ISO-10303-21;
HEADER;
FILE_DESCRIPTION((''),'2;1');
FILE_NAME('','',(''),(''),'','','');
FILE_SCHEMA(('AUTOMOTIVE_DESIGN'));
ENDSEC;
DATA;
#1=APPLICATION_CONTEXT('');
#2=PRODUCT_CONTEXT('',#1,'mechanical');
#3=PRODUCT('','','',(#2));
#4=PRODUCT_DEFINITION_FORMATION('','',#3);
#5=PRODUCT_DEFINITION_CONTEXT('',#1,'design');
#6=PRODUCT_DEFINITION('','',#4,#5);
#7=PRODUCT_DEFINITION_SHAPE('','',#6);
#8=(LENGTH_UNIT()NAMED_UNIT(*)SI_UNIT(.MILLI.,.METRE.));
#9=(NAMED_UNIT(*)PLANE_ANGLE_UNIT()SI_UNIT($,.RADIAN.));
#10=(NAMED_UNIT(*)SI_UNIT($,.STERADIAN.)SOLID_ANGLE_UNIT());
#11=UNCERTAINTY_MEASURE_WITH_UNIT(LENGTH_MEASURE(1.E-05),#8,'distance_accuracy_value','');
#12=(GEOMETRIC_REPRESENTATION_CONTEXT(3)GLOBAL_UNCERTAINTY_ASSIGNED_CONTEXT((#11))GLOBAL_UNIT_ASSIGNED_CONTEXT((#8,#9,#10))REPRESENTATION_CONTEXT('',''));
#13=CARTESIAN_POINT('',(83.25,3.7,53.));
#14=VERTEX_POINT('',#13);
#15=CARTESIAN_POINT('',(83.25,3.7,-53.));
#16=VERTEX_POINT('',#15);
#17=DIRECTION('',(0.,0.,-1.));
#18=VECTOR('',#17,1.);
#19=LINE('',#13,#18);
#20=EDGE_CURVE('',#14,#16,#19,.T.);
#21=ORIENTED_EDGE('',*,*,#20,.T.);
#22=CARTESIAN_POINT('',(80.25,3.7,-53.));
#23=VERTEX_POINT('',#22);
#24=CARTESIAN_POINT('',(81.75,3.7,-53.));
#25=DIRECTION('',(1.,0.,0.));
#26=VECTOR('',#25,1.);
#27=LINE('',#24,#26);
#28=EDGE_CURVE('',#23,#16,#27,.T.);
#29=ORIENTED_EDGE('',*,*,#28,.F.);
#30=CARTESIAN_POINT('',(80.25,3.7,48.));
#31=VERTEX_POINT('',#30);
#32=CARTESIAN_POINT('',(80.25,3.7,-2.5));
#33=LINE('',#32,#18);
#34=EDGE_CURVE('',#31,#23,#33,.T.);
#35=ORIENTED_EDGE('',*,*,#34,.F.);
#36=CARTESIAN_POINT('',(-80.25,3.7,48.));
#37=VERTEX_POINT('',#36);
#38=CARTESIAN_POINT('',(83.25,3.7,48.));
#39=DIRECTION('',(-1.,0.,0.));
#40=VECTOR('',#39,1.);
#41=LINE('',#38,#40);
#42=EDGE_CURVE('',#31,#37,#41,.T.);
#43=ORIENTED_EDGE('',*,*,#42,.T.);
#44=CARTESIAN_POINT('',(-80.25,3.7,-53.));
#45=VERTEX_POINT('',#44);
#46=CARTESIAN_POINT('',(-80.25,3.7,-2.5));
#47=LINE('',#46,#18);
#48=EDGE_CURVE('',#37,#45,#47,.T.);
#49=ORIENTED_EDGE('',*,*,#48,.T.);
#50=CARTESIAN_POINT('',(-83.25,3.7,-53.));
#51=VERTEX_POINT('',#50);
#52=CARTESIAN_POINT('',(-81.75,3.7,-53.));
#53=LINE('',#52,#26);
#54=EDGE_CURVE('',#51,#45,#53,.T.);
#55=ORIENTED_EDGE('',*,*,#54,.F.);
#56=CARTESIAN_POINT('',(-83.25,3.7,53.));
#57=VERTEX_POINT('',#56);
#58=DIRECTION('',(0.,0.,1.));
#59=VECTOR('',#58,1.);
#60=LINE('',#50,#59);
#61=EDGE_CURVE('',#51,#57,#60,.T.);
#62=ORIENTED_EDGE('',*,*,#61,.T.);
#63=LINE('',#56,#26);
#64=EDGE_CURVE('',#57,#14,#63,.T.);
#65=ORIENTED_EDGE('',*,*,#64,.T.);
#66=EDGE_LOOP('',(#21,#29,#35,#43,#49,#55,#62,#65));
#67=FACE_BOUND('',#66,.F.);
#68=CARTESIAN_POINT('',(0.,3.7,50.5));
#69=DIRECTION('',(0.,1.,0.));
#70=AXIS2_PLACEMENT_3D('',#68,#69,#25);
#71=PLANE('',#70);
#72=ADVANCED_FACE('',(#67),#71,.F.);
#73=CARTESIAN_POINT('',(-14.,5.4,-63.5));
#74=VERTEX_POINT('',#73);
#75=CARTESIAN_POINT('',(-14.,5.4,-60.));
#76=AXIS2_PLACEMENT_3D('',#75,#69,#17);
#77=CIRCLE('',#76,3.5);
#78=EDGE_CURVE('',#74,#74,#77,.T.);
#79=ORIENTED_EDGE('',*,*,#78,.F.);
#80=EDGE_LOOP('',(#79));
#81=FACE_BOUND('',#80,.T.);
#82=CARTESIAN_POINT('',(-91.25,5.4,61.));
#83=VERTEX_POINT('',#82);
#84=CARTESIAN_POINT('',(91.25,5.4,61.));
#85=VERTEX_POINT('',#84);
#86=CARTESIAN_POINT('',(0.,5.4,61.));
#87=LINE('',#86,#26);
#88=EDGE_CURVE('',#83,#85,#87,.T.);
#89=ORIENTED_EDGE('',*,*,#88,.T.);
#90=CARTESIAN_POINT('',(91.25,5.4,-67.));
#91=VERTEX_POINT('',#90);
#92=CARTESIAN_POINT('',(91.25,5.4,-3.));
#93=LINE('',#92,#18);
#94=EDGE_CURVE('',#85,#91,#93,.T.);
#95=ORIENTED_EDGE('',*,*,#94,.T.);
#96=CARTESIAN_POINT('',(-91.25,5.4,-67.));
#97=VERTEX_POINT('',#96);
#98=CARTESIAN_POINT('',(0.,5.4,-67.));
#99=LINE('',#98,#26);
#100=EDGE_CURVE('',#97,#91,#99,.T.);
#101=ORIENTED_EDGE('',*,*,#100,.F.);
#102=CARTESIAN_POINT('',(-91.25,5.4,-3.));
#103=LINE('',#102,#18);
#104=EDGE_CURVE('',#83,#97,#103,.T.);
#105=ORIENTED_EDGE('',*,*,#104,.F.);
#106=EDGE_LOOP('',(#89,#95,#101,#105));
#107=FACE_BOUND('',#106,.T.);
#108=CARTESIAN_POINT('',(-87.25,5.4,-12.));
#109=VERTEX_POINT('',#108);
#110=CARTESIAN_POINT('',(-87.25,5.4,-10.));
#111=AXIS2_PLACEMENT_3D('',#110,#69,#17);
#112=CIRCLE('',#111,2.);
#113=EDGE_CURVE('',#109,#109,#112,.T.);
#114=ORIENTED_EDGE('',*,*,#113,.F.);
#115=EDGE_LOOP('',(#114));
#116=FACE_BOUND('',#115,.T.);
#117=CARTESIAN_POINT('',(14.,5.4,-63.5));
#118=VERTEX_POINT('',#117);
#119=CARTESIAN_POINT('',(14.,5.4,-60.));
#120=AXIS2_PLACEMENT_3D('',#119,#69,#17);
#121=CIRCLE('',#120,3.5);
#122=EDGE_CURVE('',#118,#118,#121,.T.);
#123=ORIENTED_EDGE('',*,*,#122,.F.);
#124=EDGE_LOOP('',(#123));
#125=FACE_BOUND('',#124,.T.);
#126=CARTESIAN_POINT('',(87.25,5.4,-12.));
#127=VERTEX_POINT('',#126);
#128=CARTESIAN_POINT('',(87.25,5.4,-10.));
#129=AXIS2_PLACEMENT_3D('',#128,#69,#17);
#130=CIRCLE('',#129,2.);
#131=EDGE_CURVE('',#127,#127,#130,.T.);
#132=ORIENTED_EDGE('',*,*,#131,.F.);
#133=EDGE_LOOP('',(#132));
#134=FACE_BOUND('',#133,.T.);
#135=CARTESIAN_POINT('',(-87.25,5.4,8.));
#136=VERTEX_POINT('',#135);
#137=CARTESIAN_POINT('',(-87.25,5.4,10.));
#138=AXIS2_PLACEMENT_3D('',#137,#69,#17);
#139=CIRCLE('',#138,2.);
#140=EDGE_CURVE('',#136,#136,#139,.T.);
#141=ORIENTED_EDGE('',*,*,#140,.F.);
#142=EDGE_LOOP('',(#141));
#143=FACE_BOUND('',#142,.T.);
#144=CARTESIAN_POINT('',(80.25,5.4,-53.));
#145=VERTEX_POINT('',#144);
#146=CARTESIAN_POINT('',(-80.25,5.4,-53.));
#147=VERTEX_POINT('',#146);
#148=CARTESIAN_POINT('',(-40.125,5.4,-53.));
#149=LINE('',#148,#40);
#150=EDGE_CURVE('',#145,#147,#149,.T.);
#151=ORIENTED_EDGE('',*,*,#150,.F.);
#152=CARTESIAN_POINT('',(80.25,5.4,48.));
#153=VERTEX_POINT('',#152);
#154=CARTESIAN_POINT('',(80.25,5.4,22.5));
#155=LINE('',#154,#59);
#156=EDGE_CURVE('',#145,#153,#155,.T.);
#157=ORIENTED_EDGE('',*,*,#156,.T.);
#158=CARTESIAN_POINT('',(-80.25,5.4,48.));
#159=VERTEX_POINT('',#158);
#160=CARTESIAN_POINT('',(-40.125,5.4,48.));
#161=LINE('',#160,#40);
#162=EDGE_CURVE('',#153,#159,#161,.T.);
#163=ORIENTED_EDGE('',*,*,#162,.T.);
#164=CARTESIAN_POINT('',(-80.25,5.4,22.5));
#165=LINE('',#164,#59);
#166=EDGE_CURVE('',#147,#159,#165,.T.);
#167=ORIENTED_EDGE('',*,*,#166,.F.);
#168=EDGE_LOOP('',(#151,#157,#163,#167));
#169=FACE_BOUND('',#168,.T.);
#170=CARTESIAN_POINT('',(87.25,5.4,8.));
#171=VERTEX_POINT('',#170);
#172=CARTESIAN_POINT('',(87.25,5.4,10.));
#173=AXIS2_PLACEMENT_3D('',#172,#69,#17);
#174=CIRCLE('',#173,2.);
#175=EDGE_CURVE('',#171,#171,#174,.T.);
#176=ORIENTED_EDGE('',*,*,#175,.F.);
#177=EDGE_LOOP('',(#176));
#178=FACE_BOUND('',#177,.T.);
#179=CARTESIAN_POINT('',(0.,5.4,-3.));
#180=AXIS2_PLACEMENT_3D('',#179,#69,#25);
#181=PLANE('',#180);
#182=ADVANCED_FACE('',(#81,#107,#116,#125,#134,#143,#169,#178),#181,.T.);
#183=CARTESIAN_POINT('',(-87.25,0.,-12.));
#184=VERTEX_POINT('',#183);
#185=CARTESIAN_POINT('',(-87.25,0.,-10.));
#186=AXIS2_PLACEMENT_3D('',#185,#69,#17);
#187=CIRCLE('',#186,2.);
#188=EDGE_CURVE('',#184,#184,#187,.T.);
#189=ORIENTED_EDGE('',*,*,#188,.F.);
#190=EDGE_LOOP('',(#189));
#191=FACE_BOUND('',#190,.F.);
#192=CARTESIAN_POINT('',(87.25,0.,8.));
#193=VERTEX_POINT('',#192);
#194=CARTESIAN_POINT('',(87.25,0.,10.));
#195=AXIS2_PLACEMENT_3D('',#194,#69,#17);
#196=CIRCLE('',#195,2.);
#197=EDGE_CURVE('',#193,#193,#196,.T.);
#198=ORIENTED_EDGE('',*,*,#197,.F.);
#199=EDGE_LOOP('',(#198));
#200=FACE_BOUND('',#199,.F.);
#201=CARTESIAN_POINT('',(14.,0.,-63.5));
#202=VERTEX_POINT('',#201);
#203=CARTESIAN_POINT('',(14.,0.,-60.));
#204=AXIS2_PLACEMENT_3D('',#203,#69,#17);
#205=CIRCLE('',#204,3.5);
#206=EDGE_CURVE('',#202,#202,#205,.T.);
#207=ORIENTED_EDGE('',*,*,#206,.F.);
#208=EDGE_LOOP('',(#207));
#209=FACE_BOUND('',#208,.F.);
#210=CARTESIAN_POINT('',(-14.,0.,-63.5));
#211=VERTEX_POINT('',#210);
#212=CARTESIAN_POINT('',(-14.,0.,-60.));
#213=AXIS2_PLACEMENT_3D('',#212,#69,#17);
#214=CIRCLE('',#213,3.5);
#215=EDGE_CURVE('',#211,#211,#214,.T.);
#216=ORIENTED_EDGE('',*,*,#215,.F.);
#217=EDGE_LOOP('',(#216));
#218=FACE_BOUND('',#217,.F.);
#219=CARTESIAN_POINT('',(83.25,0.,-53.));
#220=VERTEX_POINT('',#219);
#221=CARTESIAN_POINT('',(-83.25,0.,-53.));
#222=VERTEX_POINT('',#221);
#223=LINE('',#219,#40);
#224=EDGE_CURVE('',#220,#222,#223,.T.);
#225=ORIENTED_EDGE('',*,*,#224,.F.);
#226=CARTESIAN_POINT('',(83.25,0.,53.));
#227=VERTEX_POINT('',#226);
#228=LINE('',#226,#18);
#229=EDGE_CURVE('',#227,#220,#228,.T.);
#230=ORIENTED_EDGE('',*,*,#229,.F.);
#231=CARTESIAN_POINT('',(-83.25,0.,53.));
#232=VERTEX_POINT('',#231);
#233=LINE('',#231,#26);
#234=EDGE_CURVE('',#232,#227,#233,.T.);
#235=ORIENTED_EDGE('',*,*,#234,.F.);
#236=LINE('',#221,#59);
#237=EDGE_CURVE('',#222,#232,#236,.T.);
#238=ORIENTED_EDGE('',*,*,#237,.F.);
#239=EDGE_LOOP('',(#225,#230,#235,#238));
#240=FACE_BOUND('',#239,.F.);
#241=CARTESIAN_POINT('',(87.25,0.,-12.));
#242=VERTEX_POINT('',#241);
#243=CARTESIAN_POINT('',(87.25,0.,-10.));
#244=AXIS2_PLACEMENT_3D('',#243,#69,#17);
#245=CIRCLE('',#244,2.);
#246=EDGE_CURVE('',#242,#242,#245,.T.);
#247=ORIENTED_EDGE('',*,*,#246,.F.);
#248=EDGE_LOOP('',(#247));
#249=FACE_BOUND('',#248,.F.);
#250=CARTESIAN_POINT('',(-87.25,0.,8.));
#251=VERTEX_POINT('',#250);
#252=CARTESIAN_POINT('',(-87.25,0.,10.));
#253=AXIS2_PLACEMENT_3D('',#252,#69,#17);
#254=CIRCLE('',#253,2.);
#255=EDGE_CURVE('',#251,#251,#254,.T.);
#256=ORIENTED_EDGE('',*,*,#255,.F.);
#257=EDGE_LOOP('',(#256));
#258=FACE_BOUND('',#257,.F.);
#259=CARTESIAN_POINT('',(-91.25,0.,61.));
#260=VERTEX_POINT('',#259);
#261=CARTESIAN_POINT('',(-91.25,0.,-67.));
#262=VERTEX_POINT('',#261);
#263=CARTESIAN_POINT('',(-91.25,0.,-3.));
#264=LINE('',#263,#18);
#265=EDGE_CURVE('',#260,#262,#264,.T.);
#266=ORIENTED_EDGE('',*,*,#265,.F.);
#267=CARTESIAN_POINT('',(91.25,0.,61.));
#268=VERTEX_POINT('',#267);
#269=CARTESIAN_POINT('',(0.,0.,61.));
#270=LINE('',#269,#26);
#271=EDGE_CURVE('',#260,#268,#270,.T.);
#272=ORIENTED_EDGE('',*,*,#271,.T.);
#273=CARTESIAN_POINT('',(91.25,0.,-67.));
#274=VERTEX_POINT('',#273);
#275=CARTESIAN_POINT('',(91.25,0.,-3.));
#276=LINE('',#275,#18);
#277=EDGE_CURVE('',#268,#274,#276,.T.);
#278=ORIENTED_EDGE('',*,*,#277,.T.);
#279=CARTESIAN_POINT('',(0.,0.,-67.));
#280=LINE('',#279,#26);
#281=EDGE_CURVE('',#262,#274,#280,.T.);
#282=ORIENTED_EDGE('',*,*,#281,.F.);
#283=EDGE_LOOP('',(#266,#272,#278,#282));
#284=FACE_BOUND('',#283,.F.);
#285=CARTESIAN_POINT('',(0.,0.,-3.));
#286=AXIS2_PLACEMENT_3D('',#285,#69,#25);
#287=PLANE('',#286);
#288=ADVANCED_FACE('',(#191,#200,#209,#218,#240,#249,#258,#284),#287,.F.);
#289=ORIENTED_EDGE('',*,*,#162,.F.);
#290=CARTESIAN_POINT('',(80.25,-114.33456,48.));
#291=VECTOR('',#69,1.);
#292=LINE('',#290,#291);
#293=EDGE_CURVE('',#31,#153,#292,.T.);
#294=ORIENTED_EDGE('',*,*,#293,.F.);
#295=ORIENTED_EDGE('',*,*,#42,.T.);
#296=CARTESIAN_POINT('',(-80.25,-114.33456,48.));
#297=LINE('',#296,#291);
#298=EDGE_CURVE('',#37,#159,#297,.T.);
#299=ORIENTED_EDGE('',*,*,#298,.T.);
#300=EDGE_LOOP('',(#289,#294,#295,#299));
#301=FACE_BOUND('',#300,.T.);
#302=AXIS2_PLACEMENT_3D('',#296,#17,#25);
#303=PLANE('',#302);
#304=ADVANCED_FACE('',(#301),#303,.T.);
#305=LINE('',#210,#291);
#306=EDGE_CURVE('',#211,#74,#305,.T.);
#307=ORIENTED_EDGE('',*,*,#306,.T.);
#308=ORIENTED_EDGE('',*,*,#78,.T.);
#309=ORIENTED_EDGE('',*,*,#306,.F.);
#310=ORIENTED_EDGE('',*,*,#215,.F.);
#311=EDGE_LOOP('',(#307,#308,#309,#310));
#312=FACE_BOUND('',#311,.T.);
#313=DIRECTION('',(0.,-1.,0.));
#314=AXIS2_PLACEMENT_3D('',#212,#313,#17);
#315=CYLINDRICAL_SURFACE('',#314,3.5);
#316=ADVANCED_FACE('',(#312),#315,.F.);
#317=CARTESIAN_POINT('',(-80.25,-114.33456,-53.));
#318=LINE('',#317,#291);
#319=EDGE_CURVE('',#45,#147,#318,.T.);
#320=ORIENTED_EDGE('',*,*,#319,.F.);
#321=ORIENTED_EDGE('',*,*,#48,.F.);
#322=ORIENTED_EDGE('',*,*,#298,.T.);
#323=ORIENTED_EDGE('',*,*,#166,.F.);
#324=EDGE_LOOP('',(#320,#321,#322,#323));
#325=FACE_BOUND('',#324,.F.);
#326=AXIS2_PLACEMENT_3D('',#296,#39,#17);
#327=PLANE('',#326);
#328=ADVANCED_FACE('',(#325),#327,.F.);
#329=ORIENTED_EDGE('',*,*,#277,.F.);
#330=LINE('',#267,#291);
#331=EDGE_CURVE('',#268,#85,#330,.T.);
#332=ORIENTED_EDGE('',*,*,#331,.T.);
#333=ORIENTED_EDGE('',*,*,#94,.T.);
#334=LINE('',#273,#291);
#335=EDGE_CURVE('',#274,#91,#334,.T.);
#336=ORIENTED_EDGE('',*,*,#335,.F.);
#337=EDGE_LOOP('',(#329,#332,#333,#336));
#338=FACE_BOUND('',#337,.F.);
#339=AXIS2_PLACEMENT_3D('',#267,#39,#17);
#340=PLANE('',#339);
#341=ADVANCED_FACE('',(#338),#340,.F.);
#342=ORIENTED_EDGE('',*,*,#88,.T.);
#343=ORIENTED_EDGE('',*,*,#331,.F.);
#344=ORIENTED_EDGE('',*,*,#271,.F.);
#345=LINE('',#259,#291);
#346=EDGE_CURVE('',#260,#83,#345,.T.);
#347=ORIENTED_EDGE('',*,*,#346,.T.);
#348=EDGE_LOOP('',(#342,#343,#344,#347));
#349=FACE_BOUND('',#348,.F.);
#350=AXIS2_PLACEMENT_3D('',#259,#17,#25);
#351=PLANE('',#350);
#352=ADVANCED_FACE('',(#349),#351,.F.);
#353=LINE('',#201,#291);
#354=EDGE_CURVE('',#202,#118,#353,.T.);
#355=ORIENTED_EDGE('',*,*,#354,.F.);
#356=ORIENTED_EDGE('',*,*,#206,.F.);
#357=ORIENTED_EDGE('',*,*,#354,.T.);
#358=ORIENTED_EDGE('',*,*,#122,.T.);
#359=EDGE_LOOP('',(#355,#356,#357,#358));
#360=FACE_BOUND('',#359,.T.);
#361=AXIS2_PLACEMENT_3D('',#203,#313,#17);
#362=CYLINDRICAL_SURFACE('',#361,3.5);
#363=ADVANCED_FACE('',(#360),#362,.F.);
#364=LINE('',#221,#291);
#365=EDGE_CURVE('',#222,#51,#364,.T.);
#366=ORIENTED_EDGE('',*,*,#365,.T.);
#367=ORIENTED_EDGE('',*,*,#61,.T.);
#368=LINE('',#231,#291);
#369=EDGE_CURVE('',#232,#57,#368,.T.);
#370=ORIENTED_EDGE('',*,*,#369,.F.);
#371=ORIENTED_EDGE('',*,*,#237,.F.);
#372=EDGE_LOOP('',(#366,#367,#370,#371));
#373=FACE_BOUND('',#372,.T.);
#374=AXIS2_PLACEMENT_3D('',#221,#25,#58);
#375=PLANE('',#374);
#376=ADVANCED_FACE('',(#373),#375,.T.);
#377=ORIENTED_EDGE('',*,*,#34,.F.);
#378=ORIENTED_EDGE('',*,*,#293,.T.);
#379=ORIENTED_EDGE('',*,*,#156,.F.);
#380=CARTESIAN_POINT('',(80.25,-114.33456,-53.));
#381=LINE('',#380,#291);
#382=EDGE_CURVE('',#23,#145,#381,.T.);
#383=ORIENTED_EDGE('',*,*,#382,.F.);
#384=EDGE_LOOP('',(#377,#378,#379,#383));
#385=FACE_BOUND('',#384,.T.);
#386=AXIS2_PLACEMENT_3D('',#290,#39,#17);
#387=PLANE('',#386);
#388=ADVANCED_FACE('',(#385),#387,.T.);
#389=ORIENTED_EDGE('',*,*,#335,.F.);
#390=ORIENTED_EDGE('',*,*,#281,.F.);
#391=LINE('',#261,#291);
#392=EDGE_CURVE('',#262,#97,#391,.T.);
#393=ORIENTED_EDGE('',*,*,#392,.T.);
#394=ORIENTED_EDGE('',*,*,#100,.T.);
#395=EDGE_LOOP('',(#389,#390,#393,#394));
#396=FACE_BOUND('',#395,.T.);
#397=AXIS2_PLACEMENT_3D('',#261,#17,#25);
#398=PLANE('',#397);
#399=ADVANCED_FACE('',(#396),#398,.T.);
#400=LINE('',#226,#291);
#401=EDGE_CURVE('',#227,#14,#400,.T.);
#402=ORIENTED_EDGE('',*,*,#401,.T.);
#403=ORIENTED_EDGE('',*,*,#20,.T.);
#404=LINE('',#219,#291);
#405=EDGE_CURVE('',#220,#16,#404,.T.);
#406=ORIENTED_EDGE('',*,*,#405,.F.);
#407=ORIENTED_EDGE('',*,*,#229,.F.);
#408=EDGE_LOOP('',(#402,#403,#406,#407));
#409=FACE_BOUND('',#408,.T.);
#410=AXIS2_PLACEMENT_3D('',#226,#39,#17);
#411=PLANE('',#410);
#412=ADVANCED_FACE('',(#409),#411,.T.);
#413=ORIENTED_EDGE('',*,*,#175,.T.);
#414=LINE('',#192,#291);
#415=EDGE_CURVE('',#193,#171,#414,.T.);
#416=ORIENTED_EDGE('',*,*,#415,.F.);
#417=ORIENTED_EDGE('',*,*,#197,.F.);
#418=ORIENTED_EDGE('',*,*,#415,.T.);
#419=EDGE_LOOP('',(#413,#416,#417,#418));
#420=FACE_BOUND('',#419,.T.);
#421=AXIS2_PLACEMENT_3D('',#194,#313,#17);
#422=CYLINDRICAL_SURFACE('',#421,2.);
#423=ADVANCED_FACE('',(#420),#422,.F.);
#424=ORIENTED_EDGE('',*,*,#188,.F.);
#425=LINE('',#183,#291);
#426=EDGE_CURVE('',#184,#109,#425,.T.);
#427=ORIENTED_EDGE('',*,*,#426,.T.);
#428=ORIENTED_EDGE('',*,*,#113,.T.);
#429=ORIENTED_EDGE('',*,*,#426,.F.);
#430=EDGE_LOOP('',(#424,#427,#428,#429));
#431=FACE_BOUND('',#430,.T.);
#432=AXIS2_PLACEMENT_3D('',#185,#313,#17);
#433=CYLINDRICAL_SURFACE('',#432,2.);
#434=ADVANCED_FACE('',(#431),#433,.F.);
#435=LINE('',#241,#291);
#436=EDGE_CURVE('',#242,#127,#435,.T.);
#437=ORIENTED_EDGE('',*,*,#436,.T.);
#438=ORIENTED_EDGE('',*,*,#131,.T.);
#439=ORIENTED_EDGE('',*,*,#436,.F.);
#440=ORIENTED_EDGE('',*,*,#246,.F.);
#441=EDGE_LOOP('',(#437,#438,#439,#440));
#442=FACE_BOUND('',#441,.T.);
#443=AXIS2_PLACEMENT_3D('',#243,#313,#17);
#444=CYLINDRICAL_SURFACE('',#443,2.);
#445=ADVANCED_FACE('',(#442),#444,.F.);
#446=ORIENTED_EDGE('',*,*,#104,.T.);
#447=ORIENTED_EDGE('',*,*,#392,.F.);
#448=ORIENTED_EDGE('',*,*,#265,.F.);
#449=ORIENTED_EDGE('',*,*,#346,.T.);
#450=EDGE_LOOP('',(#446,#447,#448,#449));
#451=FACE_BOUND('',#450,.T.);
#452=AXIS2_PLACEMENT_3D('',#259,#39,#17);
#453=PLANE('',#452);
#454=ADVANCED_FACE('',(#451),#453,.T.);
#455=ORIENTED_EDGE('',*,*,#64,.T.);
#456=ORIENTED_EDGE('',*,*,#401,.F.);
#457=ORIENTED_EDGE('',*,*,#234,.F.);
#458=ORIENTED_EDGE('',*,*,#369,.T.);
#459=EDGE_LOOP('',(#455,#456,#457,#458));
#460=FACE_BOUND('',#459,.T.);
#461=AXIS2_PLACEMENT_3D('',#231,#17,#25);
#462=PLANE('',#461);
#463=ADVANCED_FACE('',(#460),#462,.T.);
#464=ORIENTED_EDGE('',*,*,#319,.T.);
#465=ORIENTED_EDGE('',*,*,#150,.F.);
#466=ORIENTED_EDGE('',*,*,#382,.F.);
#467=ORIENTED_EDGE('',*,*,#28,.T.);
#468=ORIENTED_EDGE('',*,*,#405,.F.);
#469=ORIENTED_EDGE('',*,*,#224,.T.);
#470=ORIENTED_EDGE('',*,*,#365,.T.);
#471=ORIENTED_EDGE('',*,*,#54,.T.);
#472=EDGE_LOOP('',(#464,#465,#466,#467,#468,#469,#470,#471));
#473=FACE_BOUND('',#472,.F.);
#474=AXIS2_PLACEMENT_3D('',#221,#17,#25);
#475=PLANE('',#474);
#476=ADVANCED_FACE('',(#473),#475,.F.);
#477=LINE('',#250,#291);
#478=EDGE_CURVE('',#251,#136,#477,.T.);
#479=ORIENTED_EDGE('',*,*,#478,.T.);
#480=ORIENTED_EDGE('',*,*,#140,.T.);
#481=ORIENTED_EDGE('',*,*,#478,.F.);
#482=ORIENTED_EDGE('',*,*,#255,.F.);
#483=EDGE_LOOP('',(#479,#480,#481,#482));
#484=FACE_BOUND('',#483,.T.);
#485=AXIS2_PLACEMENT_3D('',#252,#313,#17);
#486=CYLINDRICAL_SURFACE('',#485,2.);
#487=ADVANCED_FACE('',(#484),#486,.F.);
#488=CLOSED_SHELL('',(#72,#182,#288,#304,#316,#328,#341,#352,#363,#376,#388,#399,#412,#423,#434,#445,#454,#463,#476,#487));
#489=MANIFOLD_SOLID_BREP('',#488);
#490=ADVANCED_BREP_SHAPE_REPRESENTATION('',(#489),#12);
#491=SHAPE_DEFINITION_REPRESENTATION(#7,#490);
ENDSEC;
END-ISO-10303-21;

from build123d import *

# Parameters (mm, degrees)
SKETCH1_W               = 182.5
SKETCH1_H               = 128
SKETCH1_R               = 3.5
SKETCH1_R_2             = 2
BOSS_EXTRUDE1_DEPTH     = 5.4
CUT_EXTRUDE3_DEPTH      = 114.334560042
CUT_EXTRUDE3_DEPTH_BACK = 114.334560042
SKETCH1_4_W             = 160.5
SKETCH1_4_H             = 101
CUT_EXTRUDE4_DEPTH      = 3.7


with BuildPart() as part:
    # Sketch1 → Boss-Extrude1 (new body)
    with BuildSketch(Plane(origin=(0, 0, 0), x_dir=(1, 0, 0), z_dir=(0, 1, 0))):
        with Locations((0, 3)):
            Rectangle(SKETCH1_W, SKETCH1_H)
        with Locations((-14, 60)):
            Circle(SKETCH1_R, mode=Mode.SUBTRACT)
        with Locations((14, 60)):
            Circle(SKETCH1_R, mode=Mode.SUBTRACT)
        with Locations((-87.25, -10)):
            Circle(SKETCH1_R_2, mode=Mode.SUBTRACT)
        with Locations((87.25, -10)):
            Circle(SKETCH1_R_2, mode=Mode.SUBTRACT)
        with Locations((-87.25, 10)):
            Circle(SKETCH1_R_2, mode=Mode.SUBTRACT)
        with Locations((87.25, 10)):
            Circle(SKETCH1_R_2, mode=Mode.SUBTRACT)
    extrude(amount=BOSS_EXTRUDE1_DEPTH)

    # Sketch1<4> → Cut-Extrude3 (cut, two sides: drawn at the far end of the back side and taken through both)
    with BuildSketch(Plane(origin=(0, 0, 0), x_dir=(1, 0, 0), z_dir=(0, 1, 0)).offset(-CUT_EXTRUDE3_DEPTH_BACK)):
        with Locations((0, 2.5)):
            Rectangle(SKETCH1_4_W, SKETCH1_4_H)
    extrude(amount=CUT_EXTRUDE3_DEPTH + CUT_EXTRUDE3_DEPTH_BACK, mode=Mode.SUBTRACT)

    # Sketch1<5> → Cut-Extrude4 (cut)
    with BuildSketch(Plane(origin=(0, 0, 0), x_dir=(1, 0, 0), z_dir=(0, 1, 0))):
        Polygon((-83.25, -53), (83.25, -53), (83.25, 53), (80.25, 53), (80.25, -48), (-80.25, -48), (-80.25, 53), (-83.25, 53), align=None)
    extrude(amount=CUT_EXTRUDE4_DEPTH, mode=Mode.SUBTRACT)


solid = part.part
